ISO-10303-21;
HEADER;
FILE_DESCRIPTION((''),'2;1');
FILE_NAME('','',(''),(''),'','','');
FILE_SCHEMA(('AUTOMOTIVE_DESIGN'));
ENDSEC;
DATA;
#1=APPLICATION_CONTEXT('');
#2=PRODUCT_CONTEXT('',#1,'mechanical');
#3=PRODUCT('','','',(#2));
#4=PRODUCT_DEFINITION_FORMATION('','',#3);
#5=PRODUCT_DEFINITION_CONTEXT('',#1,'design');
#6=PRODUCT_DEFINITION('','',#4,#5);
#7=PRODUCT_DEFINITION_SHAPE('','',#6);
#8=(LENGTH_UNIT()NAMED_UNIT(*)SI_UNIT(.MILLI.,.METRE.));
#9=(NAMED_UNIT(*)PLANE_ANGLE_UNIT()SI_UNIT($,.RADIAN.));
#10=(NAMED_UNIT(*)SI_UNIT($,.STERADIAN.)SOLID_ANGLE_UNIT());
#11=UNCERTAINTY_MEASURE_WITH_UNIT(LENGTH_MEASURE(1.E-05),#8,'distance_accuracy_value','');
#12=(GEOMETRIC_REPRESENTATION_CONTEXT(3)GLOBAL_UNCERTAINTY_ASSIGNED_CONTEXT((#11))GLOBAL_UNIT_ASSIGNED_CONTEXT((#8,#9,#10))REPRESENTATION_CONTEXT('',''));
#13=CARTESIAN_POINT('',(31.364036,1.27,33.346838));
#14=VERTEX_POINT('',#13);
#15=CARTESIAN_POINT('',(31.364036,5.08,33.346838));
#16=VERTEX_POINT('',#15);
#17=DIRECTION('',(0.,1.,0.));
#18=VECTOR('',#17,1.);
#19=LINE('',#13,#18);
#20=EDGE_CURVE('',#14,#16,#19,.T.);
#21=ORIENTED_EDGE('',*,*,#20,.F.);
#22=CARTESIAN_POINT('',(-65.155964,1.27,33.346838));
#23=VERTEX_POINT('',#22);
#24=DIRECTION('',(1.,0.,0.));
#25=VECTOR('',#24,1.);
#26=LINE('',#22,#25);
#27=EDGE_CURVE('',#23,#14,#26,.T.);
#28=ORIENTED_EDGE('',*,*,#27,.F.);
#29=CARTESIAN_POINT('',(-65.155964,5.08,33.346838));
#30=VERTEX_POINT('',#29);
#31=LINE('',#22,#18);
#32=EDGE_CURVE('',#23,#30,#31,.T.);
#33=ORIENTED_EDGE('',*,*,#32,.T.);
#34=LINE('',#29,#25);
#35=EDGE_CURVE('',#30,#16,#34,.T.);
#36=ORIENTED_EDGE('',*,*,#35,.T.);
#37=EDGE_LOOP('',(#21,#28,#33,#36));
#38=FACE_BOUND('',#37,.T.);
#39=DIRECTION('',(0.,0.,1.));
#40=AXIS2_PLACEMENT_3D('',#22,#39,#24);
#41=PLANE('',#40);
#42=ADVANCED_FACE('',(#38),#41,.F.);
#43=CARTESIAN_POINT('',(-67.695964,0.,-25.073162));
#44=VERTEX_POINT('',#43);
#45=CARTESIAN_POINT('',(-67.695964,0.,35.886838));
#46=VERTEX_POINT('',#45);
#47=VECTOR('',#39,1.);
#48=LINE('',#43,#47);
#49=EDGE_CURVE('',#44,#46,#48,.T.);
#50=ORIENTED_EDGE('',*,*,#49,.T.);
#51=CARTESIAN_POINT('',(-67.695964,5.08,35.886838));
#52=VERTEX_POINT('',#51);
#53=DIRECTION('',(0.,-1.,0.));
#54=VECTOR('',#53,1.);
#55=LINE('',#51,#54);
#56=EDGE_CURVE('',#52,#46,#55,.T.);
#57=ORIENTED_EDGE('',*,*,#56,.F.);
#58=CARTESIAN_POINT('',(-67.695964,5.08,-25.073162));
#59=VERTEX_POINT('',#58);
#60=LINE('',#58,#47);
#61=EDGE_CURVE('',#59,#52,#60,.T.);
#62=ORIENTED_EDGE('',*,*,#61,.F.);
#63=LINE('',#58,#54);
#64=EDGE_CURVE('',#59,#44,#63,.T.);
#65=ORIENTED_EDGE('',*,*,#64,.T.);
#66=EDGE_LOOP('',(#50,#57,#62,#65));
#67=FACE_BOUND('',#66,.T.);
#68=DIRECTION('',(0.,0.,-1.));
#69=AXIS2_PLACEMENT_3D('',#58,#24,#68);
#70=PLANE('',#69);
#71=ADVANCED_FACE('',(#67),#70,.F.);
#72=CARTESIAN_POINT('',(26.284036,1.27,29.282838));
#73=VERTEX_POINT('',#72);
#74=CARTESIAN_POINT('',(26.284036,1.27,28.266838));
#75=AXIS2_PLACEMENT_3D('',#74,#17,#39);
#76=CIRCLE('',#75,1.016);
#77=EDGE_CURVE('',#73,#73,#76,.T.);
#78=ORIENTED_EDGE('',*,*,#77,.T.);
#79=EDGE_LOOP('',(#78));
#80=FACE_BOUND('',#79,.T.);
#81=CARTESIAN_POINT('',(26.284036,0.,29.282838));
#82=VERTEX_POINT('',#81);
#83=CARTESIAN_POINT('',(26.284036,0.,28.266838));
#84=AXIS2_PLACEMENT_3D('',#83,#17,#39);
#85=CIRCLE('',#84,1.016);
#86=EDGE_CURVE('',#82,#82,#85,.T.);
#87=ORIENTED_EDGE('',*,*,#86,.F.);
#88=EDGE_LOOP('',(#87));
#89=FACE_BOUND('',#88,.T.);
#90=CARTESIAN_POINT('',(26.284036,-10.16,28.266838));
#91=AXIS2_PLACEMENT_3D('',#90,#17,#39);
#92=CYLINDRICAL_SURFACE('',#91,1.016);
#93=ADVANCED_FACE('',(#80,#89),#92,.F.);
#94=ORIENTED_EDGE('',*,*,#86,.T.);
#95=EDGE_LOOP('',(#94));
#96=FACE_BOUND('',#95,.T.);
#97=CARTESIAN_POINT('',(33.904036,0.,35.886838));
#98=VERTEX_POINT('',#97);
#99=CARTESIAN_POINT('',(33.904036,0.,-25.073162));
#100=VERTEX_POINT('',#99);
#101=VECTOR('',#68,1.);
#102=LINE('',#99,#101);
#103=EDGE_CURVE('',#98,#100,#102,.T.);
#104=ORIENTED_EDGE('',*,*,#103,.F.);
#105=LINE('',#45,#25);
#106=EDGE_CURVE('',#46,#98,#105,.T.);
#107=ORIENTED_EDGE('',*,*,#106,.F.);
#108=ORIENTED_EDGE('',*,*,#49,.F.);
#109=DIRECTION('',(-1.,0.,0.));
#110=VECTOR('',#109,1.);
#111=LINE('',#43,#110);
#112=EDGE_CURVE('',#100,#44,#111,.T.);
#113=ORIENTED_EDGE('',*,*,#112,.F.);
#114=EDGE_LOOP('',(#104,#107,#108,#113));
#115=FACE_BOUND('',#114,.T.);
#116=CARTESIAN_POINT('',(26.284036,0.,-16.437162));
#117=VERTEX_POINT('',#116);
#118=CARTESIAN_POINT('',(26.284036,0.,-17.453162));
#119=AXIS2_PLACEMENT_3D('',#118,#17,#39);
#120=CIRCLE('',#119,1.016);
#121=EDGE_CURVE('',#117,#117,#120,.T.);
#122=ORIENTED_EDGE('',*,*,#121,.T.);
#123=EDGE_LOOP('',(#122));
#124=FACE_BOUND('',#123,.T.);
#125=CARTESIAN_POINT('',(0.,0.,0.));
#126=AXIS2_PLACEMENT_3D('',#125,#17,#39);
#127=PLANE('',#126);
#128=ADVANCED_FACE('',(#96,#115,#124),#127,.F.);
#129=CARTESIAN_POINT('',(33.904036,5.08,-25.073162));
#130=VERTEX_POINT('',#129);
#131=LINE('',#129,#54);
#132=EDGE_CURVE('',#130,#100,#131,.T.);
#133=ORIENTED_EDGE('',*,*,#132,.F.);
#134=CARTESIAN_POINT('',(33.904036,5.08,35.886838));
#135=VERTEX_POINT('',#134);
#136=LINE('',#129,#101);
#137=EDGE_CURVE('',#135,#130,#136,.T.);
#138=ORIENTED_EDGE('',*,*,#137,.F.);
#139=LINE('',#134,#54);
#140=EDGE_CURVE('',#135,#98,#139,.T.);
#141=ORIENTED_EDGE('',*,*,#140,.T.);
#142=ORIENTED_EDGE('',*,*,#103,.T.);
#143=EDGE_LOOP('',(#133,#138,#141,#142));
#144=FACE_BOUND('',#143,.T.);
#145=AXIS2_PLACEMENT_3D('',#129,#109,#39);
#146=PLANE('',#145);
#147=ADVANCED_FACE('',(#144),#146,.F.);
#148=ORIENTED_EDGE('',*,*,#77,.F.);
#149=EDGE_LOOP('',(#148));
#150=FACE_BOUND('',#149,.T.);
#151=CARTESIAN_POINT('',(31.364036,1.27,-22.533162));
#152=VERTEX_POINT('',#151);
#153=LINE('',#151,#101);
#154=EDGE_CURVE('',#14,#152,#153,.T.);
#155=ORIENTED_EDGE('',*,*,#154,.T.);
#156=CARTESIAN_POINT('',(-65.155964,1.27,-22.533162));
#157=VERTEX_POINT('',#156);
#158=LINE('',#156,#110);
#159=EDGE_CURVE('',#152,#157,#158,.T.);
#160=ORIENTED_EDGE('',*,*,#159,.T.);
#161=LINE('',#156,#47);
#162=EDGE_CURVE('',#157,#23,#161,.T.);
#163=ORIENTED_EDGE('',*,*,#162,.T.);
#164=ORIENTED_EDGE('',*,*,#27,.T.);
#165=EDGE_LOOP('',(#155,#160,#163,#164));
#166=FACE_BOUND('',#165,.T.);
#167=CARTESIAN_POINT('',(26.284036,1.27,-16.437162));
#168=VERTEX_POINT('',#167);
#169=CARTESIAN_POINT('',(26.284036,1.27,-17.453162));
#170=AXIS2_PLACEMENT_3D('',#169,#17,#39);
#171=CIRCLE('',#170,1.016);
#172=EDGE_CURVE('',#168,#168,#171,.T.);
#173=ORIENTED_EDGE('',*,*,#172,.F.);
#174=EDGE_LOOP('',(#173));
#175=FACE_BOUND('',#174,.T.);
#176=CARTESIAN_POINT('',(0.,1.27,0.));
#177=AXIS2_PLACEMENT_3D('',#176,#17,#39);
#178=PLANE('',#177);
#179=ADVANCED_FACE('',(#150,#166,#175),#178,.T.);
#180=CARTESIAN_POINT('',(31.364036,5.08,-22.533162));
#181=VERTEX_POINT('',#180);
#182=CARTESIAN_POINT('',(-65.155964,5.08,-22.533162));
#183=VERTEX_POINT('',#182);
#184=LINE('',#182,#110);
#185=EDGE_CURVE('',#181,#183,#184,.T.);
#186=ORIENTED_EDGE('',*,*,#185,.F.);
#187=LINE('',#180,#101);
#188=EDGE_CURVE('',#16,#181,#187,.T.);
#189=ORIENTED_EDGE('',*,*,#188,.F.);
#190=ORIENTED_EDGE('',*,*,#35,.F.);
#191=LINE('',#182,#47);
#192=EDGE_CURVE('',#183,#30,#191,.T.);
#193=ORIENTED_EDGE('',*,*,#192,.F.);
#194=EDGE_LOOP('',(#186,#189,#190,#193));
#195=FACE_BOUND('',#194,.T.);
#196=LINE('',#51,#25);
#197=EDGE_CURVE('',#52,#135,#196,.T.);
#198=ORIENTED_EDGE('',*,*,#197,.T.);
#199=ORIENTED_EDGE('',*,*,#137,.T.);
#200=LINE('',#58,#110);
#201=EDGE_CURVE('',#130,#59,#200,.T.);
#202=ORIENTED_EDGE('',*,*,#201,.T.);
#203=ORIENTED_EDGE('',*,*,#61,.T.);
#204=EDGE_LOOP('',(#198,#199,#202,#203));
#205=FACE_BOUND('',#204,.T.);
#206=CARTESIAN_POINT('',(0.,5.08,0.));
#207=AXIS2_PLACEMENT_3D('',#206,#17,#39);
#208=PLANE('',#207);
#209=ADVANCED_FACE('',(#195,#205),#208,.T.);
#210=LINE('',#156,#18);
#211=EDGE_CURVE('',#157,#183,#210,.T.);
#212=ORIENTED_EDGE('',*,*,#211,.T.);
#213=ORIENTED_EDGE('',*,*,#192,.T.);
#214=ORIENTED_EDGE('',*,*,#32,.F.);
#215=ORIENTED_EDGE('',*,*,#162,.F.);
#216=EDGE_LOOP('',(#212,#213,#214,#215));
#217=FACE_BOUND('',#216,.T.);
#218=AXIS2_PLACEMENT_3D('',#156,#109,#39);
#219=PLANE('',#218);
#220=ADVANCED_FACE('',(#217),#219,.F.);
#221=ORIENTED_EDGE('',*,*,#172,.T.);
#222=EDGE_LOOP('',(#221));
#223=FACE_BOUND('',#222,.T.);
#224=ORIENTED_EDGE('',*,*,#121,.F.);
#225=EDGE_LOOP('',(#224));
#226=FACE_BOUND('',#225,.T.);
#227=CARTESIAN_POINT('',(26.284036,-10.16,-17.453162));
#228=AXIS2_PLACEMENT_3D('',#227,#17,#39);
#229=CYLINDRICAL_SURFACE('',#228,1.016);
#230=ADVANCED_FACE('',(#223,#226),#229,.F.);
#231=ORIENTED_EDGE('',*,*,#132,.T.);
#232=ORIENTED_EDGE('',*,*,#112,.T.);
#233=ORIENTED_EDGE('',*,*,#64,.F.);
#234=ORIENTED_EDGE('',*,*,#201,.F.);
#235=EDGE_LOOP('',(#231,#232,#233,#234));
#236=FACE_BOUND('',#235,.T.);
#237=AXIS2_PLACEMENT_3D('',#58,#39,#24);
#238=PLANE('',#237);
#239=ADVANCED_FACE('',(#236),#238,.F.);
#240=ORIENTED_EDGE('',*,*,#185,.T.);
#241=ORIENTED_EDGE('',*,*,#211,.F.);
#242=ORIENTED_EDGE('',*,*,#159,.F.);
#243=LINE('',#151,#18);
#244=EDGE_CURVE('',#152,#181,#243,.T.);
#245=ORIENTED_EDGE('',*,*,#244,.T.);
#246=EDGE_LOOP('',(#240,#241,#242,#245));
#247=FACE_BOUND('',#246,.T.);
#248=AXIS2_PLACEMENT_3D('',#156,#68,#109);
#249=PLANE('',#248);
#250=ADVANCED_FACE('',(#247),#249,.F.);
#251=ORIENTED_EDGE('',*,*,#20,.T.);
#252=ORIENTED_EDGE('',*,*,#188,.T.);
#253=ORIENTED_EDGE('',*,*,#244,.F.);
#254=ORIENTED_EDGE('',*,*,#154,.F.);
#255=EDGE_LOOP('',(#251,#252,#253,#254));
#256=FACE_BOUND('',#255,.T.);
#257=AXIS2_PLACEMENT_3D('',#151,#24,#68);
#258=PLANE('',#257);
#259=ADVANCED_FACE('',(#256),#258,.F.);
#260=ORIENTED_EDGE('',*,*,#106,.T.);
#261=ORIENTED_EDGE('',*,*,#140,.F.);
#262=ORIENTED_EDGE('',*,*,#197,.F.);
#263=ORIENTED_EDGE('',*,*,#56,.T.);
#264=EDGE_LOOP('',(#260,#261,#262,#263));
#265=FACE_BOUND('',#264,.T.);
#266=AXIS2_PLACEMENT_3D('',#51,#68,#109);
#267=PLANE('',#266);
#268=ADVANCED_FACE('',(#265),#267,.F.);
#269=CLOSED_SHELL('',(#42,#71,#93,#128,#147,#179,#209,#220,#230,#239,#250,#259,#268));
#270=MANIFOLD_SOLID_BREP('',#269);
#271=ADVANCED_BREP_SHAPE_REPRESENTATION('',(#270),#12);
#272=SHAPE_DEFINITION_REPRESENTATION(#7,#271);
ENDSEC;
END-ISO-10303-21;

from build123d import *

# Parameters (mm, degrees)
SKETCH1_W           = 101.6
SKETCH1_H           = 60.96
BOSS_EXTRUDE1_DEPTH = 5.08
SKETCH2_W           = 96.52
SKETCH2_H           = 55.88
CUT_EXTRUDE1_DEPTH  = 3.81
SKETCH3_R           = 1.016
CUT_EXTRUDE3_DEPTH  = 11.43


with BuildPart() as part:
    # Sketch1 → Boss-Extrude1 (new body)
    with BuildSketch(Plane(origin=(-10.826110924, 0, 0), x_dir=(1, 0, 0), z_dir=(0, 1, 0))):
        with Locations((-6.069852941, -5.406838235)):
            Rectangle(SKETCH1_W, SKETCH1_H)
    extrude(amount=BOSS_EXTRUDE1_DEPTH)

    # Sketch2 → Cut-Extrude1 (cut)
    with BuildSketch(Plane(origin=(-10.826110924, 5.08, -21.022149646), x_dir=(1, 0, 0), z_dir=(0, 1, 0))):
        with Locations((-6.069852941, -26.428987881)):
            Rectangle(SKETCH2_W, SKETCH2_H)
    extrude(amount=-CUT_EXTRUDE1_DEPTH, mode=Mode.SUBTRACT)

    # Sketch3 → Cut-Extrude3 (cut)
    with BuildSketch(Plane(origin=(0, 1.27, -21.022149646), x_dir=(1, 0, 0), z_dir=(0, 1, 0))):
        with Locations((26.284036135, -3.568987881)):
            Circle(SKETCH3_R)
        with Locations((26.284036135, -49.288987881)):
            Circle(SKETCH3_R)
    extrude(amount=-CUT_EXTRUDE3_DEPTH, mode=Mode.SUBTRACT)


solid = part.part
